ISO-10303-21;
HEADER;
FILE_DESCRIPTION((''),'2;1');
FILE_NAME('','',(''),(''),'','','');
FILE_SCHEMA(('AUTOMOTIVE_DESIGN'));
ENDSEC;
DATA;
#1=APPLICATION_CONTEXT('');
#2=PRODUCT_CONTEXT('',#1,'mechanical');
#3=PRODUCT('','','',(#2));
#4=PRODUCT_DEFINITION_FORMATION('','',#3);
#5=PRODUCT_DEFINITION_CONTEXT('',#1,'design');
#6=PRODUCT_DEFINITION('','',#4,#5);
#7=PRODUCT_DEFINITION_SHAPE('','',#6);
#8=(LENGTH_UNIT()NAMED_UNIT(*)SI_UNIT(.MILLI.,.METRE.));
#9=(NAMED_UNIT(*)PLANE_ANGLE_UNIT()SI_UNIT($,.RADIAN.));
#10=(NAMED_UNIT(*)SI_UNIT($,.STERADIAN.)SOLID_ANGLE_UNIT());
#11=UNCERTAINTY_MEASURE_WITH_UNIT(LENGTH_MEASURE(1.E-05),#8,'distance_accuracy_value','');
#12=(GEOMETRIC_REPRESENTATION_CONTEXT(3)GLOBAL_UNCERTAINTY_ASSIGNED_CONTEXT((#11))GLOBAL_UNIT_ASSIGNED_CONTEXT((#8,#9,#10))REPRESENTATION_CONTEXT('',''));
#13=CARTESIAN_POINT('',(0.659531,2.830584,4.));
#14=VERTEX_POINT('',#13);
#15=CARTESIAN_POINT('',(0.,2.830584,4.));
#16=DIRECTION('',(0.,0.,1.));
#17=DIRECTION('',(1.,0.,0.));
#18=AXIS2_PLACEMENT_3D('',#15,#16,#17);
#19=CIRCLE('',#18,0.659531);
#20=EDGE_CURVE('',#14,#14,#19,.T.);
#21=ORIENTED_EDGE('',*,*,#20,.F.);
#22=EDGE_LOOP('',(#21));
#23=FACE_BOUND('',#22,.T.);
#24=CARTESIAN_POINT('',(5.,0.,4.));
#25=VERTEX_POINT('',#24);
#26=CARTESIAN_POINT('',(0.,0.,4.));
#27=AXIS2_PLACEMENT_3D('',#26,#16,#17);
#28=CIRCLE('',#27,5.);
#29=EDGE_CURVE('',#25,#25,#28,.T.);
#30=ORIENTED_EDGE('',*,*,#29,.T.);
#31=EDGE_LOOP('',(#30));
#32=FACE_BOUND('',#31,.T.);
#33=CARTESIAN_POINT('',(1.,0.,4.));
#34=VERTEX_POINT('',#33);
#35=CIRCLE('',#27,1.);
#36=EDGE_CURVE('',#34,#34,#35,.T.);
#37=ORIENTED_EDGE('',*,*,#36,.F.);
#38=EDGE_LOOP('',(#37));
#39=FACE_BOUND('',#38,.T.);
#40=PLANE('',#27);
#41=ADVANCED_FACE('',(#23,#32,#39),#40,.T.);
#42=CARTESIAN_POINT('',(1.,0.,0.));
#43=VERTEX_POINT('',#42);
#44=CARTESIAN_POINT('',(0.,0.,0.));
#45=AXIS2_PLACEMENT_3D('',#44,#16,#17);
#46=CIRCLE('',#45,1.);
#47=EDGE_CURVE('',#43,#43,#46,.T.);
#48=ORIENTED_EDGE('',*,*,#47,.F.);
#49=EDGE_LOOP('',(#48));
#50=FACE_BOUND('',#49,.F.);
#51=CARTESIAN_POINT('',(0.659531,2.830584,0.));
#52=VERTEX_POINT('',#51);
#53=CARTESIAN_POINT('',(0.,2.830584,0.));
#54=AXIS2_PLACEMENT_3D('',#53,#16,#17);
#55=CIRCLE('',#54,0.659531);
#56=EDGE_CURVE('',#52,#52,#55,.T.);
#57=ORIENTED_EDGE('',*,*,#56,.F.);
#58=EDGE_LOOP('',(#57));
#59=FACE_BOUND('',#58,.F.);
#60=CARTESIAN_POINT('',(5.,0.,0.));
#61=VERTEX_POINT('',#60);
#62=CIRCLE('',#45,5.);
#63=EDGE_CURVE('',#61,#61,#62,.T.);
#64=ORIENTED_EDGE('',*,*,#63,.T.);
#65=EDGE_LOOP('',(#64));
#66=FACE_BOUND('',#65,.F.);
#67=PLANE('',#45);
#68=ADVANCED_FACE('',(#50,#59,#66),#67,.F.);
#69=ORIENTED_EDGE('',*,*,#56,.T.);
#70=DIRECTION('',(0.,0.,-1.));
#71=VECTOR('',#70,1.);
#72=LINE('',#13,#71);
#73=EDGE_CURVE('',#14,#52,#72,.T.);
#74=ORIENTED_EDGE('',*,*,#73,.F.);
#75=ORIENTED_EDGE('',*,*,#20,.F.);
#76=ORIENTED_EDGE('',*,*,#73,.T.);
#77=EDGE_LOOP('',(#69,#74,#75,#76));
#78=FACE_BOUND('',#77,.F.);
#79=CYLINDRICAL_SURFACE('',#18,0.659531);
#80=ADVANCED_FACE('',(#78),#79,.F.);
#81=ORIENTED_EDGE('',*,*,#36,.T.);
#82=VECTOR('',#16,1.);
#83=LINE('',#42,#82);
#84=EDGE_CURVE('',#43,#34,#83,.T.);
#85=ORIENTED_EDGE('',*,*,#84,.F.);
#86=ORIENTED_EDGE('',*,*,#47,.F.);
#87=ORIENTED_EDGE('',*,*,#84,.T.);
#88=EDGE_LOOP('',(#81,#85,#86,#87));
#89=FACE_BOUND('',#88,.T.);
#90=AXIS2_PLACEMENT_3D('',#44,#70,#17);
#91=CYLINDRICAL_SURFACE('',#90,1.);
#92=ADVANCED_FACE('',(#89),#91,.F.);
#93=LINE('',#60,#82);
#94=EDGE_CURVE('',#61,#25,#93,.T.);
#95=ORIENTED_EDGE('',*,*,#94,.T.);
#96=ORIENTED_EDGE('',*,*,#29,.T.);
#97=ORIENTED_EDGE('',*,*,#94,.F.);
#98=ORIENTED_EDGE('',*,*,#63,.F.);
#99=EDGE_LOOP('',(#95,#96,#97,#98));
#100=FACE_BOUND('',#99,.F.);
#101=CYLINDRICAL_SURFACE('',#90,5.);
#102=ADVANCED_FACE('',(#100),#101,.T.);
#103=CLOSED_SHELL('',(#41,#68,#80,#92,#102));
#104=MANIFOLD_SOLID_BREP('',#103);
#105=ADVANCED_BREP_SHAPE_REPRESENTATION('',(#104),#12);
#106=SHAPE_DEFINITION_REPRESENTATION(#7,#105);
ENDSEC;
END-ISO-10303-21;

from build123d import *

# Parameters (mm, degrees)
F0_R     = 5
F0_R_2   = 1
F1_DEPTH = 4
F2_R     = 0.659531
F3_DEPTH = 10.72134


with BuildPart() as f1:
    # F0 (on Top) → F1 (new body)
    with BuildSketch(Plane.XY):
        Circle(F0_R)
        Circle(F0_R_2, mode=Mode.SUBTRACT)
    extrude(amount=F1_DEPTH)

    # F2 (on face) → F3 (cut)
    with BuildSketch(Plane.XY.offset(4)):
        with Locations((0, 2.830584)):
            Circle(F2_R)
    extrude(amount=-F3_DEPTH, mode=Mode.SUBTRACT)


solid = f1.part
